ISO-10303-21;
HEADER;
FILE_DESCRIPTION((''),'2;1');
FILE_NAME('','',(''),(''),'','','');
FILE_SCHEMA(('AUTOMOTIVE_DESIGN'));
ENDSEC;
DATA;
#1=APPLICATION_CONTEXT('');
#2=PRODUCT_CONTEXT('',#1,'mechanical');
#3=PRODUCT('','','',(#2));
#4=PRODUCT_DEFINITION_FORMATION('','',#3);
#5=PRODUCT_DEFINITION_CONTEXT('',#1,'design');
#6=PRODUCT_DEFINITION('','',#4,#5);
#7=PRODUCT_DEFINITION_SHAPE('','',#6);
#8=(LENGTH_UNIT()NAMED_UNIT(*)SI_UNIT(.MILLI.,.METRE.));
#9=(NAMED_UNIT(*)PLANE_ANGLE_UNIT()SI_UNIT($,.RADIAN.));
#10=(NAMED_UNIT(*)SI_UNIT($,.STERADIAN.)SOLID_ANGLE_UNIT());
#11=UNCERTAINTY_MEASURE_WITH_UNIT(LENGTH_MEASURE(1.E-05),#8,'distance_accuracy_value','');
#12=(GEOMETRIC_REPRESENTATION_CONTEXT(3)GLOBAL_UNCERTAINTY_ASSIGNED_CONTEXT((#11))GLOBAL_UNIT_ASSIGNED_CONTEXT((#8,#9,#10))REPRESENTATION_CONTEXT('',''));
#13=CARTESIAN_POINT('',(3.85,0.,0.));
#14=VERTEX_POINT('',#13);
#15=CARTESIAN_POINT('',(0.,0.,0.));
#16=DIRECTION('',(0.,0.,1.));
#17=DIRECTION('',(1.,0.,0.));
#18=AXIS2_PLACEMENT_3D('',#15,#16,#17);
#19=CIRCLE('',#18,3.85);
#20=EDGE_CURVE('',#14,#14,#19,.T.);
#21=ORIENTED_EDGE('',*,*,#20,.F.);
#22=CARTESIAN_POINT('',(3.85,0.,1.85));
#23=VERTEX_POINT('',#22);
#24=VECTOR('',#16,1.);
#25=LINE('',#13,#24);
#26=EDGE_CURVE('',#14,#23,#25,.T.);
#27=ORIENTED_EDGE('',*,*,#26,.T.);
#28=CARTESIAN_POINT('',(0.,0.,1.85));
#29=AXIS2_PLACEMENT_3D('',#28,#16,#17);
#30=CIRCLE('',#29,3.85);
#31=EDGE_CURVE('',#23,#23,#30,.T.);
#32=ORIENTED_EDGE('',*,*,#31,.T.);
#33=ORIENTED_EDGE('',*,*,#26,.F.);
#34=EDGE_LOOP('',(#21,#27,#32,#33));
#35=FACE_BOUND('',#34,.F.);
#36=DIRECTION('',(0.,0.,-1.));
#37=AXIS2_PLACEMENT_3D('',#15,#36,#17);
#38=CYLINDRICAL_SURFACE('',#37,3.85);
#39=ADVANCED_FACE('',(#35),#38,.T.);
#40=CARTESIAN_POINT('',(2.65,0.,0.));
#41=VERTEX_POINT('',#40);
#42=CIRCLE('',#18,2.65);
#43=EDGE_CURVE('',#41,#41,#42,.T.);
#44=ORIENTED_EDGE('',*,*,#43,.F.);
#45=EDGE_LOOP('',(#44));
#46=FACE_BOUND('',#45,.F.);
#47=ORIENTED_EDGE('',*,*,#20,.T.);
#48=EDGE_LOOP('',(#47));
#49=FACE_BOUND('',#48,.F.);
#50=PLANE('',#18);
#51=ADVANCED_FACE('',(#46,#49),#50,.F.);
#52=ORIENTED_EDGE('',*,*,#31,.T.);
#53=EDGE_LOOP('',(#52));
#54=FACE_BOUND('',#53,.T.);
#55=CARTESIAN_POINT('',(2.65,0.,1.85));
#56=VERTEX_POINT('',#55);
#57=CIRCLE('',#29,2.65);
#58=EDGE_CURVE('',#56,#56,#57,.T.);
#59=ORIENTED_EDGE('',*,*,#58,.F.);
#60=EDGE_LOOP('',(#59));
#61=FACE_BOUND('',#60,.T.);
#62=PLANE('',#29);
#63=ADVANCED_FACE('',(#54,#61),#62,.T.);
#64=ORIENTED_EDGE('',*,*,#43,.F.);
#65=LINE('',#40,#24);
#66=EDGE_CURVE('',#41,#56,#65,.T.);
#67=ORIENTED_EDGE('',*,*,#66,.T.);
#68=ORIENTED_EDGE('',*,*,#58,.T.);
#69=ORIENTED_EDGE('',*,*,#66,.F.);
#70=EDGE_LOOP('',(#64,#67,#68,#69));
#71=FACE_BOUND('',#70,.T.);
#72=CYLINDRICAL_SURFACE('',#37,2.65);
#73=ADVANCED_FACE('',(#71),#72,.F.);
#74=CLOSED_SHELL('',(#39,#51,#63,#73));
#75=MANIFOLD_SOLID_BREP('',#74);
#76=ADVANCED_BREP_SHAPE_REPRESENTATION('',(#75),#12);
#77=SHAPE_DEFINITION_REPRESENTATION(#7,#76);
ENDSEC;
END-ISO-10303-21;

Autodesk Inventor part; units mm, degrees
ref_plane "YZ Plane" through (0, 0, 0) normal (1, 0, 0) x (0, 1, 0)
ref_plane "XZ Plane" through (0, 0, 0) normal (0, 1, 0) x (-1, 0, 0)
ref_plane "XY Plane" through (0, 0, 0) normal (0, 0, 1) x (1, 0, 0)
sketch "Sketch1" plane through (0, 0, 0) normal (0, 0, 1) x (1, 0, 0)
  circle A0 centre (0, 0) radius 2.65
  circle A1 centre (0, 0) radius 3.85
  dimension "d0" = 5.3
  dimension "d1" = 1.2
extrude "Extrusion1" add sketch "Sketch1" along normal blind 1.85
properties part number "Door Bar Bearing Door Mounting Spacer" material "ABS Plastic"
